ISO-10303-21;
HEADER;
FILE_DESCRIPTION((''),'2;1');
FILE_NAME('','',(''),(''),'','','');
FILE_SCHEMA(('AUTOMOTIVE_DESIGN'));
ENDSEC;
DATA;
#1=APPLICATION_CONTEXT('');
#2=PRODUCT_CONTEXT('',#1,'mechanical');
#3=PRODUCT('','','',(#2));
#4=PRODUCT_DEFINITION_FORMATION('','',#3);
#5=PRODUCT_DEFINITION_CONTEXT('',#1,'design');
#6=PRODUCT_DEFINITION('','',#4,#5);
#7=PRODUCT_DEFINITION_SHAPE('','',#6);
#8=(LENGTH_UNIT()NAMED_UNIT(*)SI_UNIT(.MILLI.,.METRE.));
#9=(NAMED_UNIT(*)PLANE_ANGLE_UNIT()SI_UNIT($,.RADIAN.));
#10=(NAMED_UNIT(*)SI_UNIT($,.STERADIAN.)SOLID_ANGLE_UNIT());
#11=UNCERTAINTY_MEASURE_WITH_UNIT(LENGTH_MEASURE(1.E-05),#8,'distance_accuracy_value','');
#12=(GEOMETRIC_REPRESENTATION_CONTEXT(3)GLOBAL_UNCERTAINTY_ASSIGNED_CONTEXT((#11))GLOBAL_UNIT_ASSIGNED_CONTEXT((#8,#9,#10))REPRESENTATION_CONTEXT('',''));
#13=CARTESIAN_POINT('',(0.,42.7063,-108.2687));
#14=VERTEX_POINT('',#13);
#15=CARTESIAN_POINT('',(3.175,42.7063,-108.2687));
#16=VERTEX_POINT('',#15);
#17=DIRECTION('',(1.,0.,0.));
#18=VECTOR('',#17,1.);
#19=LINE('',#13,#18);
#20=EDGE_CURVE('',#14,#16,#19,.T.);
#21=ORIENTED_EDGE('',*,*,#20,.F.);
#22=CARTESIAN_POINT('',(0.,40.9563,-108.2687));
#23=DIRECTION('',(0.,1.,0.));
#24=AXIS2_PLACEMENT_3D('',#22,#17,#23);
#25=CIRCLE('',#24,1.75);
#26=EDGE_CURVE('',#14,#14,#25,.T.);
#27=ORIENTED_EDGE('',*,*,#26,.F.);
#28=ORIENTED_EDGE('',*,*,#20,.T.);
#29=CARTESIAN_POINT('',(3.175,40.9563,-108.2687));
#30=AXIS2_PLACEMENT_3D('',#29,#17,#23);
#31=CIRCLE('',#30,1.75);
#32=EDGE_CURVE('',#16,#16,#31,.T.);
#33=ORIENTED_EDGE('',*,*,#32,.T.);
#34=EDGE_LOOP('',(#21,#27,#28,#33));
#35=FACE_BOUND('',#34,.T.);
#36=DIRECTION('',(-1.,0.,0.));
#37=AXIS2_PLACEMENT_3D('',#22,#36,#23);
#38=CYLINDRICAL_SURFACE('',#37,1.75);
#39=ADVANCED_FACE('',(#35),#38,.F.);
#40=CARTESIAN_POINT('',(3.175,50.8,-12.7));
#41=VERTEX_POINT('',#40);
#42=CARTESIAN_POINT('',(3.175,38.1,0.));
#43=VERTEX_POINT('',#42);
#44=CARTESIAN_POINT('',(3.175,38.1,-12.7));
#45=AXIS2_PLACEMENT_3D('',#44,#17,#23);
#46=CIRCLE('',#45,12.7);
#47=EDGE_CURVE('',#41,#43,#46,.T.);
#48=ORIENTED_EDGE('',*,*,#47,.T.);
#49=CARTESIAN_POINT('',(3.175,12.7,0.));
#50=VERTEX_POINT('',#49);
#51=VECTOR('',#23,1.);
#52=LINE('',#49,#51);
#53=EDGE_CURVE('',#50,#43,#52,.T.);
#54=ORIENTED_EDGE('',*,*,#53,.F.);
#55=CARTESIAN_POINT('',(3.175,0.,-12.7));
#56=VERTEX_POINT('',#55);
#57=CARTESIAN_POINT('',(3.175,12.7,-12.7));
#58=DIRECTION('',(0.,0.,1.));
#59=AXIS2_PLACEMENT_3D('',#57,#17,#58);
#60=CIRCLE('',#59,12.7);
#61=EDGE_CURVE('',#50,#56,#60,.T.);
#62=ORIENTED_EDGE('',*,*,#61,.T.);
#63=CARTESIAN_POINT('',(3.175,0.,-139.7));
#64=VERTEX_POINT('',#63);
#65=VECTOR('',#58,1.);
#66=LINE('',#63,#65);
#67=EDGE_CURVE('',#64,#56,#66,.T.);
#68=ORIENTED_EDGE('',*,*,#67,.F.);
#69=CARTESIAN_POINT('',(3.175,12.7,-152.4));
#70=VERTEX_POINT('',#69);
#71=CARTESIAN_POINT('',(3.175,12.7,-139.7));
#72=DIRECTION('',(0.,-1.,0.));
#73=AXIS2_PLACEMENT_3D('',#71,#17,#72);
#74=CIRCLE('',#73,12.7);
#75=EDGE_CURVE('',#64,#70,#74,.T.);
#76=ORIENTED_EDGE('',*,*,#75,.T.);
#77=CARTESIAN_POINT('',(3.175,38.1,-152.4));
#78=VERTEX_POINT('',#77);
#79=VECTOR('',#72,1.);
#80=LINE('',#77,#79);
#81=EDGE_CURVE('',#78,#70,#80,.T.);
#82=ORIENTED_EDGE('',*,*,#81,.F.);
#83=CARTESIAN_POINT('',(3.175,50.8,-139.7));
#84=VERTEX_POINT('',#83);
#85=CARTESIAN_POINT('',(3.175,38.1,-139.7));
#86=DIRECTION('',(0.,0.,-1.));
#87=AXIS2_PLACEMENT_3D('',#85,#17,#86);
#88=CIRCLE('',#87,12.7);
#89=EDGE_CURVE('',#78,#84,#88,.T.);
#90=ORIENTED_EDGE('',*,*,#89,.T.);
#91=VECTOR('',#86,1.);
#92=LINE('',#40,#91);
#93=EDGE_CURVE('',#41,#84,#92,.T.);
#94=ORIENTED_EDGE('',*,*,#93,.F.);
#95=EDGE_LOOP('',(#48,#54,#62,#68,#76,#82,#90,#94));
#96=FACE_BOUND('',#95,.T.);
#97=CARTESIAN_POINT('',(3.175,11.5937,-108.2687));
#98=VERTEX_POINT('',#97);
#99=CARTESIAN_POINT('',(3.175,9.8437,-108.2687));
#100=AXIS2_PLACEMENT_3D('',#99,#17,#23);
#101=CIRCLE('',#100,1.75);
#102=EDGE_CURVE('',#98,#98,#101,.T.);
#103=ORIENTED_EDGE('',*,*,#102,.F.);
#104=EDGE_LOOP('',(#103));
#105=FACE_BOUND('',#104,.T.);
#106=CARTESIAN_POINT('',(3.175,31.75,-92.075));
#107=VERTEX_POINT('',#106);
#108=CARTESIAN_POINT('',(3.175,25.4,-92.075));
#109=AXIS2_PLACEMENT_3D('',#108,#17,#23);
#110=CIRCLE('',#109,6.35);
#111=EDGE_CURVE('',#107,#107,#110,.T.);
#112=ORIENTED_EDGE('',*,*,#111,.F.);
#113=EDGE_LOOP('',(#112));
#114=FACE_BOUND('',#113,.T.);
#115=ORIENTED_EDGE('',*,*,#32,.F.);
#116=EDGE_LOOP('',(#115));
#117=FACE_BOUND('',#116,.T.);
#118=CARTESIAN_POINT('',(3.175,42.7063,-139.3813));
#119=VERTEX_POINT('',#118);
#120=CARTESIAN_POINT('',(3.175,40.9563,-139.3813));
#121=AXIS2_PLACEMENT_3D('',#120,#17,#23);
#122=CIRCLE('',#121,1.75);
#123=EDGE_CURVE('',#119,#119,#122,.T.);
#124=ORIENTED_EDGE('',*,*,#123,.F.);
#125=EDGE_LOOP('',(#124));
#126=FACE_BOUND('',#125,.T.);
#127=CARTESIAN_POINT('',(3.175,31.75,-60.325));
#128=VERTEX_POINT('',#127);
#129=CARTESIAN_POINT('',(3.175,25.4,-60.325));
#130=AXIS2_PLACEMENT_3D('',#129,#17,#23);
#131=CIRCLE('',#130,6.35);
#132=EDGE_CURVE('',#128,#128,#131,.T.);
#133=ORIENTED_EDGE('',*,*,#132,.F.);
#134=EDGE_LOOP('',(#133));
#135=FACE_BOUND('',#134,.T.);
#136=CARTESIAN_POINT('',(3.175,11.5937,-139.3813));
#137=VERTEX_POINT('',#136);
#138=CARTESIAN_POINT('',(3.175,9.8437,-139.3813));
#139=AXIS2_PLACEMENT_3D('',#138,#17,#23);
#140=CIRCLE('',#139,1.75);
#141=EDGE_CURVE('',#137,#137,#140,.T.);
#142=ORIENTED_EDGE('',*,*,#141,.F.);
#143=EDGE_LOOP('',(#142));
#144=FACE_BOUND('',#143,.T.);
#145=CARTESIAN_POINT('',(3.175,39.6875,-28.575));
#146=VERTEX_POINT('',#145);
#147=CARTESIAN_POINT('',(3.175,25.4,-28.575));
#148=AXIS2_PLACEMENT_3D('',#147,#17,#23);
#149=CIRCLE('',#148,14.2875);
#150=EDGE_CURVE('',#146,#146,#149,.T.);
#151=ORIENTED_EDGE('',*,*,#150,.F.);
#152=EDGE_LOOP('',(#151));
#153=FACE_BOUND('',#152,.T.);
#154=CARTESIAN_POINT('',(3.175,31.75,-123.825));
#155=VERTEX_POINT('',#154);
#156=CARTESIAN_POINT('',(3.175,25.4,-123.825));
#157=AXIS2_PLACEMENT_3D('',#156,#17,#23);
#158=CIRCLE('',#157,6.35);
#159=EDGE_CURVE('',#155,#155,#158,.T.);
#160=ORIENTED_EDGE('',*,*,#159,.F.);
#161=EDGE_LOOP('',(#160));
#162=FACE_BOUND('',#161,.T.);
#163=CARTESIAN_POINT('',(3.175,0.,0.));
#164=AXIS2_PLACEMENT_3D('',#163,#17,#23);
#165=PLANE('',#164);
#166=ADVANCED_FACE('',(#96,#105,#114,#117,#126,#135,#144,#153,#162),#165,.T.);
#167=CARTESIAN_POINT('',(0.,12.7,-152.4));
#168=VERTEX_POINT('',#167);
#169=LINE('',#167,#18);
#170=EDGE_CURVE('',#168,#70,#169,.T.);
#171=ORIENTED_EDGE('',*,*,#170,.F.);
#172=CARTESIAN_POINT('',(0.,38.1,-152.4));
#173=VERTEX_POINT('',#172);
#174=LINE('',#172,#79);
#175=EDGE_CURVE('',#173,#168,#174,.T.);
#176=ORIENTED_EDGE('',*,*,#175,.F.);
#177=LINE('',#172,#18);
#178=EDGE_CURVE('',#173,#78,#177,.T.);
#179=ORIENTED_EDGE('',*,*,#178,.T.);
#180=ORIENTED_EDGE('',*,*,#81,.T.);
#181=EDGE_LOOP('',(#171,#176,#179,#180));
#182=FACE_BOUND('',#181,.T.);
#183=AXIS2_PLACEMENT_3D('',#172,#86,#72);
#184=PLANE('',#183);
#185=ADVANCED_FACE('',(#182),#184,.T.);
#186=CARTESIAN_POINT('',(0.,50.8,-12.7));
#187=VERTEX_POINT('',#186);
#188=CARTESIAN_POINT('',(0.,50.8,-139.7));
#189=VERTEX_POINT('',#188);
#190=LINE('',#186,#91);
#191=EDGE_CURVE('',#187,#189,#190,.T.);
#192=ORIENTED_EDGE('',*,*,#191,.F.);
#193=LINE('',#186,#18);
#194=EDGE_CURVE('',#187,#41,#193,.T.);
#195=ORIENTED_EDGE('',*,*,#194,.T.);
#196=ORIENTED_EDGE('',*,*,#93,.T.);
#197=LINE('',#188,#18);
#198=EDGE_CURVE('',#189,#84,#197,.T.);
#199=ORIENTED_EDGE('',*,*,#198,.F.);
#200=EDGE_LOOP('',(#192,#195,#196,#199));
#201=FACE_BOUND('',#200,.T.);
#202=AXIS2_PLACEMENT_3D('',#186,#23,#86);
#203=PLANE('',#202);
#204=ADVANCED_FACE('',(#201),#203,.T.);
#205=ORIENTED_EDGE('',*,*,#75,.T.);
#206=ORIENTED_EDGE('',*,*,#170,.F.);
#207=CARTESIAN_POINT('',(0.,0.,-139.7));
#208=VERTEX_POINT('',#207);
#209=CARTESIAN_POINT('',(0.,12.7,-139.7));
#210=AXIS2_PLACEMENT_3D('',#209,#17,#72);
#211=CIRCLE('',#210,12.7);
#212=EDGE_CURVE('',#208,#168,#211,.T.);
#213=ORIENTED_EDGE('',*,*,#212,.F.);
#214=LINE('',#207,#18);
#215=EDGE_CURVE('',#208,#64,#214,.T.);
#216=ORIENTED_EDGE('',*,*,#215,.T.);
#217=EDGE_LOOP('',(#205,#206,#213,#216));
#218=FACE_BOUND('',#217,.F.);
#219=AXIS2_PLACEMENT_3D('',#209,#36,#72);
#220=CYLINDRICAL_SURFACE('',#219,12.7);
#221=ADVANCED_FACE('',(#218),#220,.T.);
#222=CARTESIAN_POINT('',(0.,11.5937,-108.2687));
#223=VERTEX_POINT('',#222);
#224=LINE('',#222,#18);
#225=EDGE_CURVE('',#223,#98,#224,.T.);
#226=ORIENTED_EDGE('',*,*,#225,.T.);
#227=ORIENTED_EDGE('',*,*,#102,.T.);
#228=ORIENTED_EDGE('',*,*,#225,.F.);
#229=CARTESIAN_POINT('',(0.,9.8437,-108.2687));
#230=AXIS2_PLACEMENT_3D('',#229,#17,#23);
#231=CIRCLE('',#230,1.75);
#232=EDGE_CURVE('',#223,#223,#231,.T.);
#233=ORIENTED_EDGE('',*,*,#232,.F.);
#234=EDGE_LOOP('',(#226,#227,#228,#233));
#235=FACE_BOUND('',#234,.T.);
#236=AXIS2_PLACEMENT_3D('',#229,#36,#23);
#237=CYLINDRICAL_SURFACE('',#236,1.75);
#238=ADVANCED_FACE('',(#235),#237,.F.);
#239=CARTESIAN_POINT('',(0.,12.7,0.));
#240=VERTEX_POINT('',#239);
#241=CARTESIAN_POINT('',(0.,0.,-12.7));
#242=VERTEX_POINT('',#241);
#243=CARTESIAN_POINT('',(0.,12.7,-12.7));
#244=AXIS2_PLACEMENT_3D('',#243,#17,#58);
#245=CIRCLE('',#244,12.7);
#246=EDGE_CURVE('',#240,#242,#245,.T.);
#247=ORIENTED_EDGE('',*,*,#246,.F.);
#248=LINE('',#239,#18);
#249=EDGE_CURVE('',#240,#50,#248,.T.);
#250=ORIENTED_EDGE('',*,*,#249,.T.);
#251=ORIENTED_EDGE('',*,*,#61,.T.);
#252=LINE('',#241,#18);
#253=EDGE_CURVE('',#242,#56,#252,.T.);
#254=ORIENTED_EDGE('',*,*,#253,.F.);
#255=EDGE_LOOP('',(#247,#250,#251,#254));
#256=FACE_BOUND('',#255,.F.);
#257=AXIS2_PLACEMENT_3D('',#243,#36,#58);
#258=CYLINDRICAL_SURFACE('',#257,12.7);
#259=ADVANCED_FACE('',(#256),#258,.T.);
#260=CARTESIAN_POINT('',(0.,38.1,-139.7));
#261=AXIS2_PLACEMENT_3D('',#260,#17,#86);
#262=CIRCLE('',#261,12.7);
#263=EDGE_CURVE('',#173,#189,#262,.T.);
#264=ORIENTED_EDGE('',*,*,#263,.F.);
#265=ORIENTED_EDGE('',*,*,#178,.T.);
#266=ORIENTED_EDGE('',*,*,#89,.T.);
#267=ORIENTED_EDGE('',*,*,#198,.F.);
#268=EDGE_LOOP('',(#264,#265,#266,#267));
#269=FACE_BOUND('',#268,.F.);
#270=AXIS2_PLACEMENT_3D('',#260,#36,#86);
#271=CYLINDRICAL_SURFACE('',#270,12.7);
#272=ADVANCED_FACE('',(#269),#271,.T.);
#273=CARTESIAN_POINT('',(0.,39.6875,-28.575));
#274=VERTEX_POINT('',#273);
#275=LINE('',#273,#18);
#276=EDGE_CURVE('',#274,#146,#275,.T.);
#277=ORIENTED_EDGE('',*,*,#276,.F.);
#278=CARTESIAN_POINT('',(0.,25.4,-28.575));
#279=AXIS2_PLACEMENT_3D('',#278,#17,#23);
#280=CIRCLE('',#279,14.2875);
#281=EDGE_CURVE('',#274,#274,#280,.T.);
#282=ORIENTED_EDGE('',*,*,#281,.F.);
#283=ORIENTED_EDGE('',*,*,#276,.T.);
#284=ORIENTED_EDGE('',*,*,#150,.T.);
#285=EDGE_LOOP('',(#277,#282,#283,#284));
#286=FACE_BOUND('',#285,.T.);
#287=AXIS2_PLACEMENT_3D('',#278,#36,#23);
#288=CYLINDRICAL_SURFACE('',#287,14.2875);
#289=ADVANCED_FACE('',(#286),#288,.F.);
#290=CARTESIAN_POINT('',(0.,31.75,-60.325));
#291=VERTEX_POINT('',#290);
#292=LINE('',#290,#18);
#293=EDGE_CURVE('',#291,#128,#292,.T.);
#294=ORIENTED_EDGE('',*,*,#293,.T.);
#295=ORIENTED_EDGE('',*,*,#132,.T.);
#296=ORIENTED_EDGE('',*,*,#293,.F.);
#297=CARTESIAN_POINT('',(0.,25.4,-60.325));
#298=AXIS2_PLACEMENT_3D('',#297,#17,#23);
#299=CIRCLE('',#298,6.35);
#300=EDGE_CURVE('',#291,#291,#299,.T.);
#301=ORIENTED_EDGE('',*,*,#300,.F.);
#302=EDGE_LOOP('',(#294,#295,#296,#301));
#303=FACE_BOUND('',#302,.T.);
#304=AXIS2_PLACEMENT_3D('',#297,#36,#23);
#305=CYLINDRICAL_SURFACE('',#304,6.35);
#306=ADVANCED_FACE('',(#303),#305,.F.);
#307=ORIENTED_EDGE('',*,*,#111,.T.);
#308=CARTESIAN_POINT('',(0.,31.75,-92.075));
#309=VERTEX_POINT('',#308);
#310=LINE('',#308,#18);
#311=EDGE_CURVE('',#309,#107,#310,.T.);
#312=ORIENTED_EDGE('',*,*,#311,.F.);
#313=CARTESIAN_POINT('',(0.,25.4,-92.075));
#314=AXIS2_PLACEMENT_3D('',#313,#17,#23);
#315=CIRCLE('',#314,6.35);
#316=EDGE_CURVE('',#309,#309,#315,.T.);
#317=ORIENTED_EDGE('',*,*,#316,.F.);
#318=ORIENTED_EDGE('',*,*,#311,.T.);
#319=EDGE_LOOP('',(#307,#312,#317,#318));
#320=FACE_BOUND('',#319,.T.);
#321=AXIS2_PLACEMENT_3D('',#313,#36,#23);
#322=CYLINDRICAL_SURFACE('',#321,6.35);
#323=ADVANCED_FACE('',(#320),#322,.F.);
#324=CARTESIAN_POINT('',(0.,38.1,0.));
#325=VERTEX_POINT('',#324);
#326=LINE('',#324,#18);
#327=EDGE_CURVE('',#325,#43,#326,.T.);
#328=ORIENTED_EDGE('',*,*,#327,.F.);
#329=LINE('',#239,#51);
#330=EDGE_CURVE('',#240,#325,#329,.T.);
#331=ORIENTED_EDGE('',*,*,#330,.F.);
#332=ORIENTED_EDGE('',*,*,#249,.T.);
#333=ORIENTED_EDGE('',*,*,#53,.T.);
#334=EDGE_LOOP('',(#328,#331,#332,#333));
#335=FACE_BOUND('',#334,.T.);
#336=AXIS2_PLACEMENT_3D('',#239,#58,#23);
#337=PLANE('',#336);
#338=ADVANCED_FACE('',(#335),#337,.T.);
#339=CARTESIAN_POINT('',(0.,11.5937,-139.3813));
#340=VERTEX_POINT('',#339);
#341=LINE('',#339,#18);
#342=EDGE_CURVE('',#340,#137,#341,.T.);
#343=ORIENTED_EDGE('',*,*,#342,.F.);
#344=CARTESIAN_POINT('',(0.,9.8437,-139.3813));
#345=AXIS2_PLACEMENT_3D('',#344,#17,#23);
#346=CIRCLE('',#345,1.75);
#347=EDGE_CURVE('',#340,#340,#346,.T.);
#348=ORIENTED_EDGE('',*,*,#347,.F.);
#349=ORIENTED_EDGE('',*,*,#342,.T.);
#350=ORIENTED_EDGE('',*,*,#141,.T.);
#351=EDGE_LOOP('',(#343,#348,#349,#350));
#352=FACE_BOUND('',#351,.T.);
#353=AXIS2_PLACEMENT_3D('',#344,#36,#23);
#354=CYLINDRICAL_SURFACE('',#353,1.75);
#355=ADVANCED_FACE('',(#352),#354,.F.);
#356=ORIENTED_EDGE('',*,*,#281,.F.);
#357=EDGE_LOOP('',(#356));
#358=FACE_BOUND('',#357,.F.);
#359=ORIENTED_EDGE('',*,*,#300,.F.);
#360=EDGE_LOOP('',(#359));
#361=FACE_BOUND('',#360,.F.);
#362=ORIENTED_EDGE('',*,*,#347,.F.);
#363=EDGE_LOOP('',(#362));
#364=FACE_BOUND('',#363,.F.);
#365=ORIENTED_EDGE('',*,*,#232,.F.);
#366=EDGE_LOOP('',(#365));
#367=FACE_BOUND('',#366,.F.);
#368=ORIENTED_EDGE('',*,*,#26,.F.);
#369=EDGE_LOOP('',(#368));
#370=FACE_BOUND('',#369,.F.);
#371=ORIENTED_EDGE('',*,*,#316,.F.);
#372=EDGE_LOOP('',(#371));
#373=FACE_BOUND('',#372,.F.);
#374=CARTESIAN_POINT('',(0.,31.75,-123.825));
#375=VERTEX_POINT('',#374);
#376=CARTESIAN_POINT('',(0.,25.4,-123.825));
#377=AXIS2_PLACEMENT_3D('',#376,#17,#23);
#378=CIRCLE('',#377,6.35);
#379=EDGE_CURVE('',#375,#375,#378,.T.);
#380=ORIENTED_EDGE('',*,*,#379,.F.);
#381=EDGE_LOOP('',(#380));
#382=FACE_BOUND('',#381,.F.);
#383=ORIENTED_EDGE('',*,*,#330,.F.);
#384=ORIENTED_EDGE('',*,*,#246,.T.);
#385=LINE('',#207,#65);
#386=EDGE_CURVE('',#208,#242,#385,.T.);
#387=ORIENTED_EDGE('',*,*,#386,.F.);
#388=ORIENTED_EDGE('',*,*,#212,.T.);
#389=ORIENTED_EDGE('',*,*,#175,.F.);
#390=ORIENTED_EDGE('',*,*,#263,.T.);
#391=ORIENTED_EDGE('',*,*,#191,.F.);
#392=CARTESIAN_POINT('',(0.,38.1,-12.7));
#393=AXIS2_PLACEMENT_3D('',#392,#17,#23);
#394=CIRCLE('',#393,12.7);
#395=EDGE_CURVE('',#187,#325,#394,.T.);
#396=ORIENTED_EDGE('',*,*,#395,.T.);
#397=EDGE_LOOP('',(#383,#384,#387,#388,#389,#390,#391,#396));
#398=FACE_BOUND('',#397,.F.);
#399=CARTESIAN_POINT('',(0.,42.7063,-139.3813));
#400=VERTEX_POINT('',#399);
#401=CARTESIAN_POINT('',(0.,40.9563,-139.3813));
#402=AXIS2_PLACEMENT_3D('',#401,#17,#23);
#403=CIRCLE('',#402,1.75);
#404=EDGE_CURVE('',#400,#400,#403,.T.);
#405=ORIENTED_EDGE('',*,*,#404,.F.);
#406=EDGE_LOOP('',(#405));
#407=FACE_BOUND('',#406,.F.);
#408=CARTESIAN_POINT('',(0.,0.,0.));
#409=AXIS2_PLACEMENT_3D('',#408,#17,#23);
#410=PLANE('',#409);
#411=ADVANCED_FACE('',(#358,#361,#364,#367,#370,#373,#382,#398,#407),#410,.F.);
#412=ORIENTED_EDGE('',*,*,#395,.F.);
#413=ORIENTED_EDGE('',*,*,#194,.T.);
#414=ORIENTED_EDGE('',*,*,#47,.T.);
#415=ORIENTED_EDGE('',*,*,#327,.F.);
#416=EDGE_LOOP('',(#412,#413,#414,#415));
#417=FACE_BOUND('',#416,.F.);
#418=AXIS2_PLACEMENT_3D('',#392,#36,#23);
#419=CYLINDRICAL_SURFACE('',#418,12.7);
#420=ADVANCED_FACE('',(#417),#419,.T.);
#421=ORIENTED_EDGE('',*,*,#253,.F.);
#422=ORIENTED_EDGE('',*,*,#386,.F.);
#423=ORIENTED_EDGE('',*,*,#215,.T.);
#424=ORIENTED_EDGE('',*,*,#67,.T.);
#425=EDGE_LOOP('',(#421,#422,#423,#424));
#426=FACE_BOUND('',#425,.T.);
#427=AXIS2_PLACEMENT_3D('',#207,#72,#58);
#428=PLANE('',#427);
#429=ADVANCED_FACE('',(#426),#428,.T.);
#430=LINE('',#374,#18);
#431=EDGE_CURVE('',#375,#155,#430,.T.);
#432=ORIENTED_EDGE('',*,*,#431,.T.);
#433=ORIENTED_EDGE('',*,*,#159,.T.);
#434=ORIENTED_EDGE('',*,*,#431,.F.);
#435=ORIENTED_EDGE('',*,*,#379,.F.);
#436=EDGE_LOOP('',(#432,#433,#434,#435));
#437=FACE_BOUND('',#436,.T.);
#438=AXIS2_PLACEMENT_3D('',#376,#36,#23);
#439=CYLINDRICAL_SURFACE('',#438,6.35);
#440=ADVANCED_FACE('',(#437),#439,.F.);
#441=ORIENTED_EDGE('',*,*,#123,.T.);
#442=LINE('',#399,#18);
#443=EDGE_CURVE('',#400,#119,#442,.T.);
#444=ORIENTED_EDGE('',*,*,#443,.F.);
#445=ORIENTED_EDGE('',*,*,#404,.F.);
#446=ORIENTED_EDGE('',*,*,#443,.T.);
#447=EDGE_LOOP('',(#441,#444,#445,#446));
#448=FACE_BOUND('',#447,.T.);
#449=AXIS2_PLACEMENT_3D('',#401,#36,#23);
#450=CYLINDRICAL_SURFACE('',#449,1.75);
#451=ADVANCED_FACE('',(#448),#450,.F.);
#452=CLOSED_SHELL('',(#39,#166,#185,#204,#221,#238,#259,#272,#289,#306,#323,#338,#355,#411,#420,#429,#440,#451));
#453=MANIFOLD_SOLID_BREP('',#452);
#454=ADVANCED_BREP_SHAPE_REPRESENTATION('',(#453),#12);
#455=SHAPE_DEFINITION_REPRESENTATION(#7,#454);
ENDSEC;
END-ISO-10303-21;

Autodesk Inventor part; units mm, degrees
ref_plane "YZ Plane" through (0, 0, 0) normal (1, 0, 0) x (0, 1, 0)
ref_plane "XZ Plane" through (0, 0, 0) normal (0, 1, 0) x (-1, 0, 0)
ref_plane "XY Plane" through (0, 0, 0) normal (0, 0, 1) x (1, 0, 0)
sketch "Sketch1" plane through (0, 0, 0) normal (1, 0, 0) x (0, 1, 0)
  line L0 (12.7, 0) -> (38.1, 0)
  line L1 (50.8, -12.7) -> (50.8, -139.7)
  line L2 (38.1, -152.4) -> (12.7, -152.4)
  line L3 (0, -139.7) -> (0, -12.7)
  arc A0 (50.8, -12.7) -> (38.1, 0) centre (38.1, -12.7) ccw
  arc A1 (12.7, 0) -> (0, -12.7) centre (12.7, -12.7) ccw
  arc A2 (0, -139.7) -> (12.7, -152.4) centre (12.7, -139.7) ccw
  arc A3 (38.1, -152.4) -> (50.8, -139.7) centre (38.1, -139.7) ccw
  circle A4 centre (25.4, -28.575) radius 14.2875
  circle A5 centre (25.4, -60.325) radius 6.35
  circle A6 centre (25.4, -92.075) radius 6.35
  circle A7 centre (25.4, -123.825) radius 6.35
  circle A8 centre (25.4, -123.825) radius 22 construction
  circle A9 centre (40.9563, -139.3813) radius 1.75
  circle A10 centre (40.9563, -108.2687) radius 1.75
  circle A11 centre (9.8437, -108.2687) radius 1.75
  circle A12 centre (9.8437, -139.3813) radius 1.75
  line L4 (25.4, -28.575) -> (25.4, -123.825) construction
  point P0 (0, 0)
  point P1 (50.8, -152.4)
  point P2 (50.8, 0)
  point P3 (0, -152.4)
  point P4 (25.4, -152.4)
  point P5 (25.4, -76.2)
  point P6 (0, -76.2)
  dimension "d10" = 44
  dimension "d0" = 50.8
  dimension "d1" = 152.4
  dimension "d2" = 12.7
  dimension "d3" = 28.575
  dimension "d4" = 12.7
  dimension "d5" = 12.7
  dimension "d6" = 12.7
  dimension "d7" = 31.75
  dimension "d8" = 31.75
  dimension "d9" = 31.75
  dimension "d11" = 3.5
  dimension "d14" = 360
extrude "Extrusion1" add sketch "Sketch1" along normal blind 3.175
equation "\"d8\" = d7"
equation "\"d9\" = d7"
properties part number "Housing"
